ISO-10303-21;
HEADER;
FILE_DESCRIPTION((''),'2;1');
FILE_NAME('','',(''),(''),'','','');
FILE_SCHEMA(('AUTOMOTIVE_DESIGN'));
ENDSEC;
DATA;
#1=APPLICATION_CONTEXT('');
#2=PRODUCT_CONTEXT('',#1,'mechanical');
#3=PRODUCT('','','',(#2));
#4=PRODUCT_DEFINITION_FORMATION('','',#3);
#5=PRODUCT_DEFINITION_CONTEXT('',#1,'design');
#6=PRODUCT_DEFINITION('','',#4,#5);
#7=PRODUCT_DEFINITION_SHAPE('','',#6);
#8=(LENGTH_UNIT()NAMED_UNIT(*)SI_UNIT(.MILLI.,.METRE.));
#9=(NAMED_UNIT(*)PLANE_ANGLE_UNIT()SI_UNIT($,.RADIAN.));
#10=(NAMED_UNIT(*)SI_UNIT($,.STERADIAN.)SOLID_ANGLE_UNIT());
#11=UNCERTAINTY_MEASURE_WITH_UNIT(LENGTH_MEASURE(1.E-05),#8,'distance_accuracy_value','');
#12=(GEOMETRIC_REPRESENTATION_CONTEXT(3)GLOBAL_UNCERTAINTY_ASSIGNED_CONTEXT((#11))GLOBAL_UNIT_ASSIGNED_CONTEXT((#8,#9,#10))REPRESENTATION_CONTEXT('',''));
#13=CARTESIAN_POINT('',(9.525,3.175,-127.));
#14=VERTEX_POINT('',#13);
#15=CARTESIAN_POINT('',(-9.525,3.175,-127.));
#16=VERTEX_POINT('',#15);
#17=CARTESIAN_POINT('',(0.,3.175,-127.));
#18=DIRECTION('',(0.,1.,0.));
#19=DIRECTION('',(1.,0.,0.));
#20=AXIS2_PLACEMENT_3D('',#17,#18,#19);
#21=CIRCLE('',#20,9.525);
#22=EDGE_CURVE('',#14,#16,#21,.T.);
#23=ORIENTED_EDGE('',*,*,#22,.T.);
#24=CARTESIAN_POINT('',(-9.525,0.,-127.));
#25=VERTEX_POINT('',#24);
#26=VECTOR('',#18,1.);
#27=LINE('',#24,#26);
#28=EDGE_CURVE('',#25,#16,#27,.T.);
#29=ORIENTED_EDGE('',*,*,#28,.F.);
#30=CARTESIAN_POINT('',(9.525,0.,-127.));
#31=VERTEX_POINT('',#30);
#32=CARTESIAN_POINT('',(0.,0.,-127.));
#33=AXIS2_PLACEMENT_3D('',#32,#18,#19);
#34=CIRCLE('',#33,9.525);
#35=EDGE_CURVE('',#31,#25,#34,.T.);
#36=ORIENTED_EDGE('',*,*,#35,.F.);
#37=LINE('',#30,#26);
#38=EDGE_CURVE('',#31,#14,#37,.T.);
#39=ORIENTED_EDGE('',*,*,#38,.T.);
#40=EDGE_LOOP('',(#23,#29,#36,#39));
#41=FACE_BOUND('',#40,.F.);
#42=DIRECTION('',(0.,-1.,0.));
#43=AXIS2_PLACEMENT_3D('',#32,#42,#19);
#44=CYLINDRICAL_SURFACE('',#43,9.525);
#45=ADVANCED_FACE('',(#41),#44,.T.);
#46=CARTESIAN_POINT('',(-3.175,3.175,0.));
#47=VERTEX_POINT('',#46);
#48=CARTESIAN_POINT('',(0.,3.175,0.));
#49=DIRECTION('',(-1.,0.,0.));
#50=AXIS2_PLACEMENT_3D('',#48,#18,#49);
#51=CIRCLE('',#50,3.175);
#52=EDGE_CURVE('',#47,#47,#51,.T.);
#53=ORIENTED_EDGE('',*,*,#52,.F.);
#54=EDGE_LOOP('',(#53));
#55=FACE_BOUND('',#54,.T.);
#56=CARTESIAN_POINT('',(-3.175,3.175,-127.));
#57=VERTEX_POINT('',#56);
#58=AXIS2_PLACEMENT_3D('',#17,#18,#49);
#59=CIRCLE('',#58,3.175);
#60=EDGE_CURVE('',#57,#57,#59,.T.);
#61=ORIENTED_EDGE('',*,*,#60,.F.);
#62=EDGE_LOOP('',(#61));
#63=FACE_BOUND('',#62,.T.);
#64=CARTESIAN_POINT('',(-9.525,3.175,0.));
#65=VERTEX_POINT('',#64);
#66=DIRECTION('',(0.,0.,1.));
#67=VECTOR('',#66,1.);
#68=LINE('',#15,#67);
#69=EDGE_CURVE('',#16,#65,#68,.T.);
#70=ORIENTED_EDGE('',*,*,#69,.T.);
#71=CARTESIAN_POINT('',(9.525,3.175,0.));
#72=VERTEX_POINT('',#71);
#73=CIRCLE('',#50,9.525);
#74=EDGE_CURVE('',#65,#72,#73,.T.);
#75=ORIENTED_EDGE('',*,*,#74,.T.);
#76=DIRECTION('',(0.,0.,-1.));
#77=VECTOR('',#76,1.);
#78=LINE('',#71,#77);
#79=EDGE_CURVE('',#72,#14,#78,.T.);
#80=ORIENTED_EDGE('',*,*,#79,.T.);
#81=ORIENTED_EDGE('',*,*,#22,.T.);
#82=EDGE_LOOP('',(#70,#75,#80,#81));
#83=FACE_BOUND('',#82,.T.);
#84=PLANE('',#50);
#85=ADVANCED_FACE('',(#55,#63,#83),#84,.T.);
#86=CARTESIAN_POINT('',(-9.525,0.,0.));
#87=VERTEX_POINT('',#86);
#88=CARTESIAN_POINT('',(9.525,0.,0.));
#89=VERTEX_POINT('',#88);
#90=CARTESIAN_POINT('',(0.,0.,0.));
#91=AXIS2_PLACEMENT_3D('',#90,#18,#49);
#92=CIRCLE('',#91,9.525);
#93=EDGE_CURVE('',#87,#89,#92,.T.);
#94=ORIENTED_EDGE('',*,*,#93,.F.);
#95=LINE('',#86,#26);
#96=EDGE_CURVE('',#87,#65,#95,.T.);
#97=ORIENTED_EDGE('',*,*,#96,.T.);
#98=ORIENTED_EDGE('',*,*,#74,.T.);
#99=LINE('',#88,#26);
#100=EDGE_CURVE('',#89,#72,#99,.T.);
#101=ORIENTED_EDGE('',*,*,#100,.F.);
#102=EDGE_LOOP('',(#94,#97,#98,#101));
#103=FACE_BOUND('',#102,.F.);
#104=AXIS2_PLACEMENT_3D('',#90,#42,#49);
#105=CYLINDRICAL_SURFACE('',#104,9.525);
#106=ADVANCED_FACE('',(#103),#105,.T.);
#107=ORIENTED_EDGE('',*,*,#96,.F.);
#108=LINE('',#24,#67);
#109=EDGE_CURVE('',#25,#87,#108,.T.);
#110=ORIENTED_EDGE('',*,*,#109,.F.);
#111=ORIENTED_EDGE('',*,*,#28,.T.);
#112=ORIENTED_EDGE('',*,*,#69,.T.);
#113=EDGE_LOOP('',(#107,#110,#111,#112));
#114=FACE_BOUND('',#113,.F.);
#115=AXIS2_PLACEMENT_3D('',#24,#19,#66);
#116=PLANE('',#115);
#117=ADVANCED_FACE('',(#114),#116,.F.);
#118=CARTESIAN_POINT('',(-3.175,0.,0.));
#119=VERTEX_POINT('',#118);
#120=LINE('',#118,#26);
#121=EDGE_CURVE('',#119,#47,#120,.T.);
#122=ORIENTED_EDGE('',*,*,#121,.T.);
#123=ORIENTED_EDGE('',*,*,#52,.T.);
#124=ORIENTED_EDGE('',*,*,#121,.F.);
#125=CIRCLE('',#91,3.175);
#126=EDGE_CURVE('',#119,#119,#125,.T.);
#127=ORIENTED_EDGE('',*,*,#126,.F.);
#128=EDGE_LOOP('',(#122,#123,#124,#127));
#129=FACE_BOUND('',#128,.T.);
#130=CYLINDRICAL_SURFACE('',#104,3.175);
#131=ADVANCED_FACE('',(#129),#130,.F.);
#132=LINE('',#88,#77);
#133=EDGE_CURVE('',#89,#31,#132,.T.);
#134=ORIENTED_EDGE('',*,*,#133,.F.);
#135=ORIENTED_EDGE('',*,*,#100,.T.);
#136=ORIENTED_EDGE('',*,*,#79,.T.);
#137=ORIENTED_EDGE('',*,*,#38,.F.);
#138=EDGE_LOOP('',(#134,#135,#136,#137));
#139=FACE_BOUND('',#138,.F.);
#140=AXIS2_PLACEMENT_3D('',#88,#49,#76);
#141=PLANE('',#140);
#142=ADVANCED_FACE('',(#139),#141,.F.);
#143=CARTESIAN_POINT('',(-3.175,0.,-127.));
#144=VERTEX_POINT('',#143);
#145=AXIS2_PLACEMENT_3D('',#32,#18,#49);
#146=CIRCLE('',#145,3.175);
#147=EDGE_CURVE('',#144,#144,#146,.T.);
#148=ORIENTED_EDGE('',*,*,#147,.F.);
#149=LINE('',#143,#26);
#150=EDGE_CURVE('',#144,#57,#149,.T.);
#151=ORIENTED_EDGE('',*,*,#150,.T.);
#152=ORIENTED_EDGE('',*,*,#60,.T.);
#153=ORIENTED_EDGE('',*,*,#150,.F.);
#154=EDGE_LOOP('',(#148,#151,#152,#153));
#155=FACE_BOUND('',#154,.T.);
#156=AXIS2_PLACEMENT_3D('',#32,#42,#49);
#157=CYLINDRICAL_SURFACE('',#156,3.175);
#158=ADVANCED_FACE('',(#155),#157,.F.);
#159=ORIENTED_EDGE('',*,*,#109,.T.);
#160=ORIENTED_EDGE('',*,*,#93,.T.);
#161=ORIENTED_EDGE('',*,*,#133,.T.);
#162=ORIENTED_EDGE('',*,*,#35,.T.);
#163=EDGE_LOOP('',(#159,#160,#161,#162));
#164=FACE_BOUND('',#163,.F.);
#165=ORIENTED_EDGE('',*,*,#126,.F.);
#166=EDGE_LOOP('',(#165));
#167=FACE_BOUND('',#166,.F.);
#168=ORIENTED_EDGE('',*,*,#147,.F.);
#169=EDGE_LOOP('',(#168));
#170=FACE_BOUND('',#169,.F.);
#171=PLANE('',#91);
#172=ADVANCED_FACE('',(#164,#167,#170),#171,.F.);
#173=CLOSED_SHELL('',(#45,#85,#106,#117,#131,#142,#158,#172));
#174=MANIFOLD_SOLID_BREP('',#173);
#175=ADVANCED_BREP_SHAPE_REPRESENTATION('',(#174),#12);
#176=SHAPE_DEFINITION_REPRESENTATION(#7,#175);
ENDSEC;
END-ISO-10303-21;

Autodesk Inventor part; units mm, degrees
ref_plane "YZ Plane" through (0, 0, 0) normal (1, 0, 0) x (0, 1, 0)
ref_plane "XZ Plane" through (0, 0, 0) normal (0, 1, 0) x (-1, 0, 0)
ref_plane "XY Plane" through (0, 0, 0) normal (0, 0, 1) x (1, 0, 0)
sketch "Sketch1" plane through (0, 0, 0) normal (0, 1, 0) x (-1, 0, 0)
  line L0 (0, 0) -> (0, -127) construction
  line L1 (-9.525, 0) -> (-9.525, -127)
  line L2 (9.525, -127) -> (9.525, 0)
  arc A0 (9.525, 0) -> (-9.525, 0) centre (0, 0) ccw
  arc A1 (-9.525, -127) -> (9.525, -127) centre (0, -127) ccw
  circle A2 centre (0, 0) radius 3.175
  circle A3 centre (0, -127) radius 3.175
  point P0 (0, -63.5)
  dimension "d0" = 127
  dimension "d1" = 19.05
  dimension "d2" = 6.35
  dimension "d3" = 6.35
extrude "Extrusion1" add sketch "Sketch1" along normal blind 3.175
properties part number "2AM-17-P-5204 - links" material "Aluminum 6061"
